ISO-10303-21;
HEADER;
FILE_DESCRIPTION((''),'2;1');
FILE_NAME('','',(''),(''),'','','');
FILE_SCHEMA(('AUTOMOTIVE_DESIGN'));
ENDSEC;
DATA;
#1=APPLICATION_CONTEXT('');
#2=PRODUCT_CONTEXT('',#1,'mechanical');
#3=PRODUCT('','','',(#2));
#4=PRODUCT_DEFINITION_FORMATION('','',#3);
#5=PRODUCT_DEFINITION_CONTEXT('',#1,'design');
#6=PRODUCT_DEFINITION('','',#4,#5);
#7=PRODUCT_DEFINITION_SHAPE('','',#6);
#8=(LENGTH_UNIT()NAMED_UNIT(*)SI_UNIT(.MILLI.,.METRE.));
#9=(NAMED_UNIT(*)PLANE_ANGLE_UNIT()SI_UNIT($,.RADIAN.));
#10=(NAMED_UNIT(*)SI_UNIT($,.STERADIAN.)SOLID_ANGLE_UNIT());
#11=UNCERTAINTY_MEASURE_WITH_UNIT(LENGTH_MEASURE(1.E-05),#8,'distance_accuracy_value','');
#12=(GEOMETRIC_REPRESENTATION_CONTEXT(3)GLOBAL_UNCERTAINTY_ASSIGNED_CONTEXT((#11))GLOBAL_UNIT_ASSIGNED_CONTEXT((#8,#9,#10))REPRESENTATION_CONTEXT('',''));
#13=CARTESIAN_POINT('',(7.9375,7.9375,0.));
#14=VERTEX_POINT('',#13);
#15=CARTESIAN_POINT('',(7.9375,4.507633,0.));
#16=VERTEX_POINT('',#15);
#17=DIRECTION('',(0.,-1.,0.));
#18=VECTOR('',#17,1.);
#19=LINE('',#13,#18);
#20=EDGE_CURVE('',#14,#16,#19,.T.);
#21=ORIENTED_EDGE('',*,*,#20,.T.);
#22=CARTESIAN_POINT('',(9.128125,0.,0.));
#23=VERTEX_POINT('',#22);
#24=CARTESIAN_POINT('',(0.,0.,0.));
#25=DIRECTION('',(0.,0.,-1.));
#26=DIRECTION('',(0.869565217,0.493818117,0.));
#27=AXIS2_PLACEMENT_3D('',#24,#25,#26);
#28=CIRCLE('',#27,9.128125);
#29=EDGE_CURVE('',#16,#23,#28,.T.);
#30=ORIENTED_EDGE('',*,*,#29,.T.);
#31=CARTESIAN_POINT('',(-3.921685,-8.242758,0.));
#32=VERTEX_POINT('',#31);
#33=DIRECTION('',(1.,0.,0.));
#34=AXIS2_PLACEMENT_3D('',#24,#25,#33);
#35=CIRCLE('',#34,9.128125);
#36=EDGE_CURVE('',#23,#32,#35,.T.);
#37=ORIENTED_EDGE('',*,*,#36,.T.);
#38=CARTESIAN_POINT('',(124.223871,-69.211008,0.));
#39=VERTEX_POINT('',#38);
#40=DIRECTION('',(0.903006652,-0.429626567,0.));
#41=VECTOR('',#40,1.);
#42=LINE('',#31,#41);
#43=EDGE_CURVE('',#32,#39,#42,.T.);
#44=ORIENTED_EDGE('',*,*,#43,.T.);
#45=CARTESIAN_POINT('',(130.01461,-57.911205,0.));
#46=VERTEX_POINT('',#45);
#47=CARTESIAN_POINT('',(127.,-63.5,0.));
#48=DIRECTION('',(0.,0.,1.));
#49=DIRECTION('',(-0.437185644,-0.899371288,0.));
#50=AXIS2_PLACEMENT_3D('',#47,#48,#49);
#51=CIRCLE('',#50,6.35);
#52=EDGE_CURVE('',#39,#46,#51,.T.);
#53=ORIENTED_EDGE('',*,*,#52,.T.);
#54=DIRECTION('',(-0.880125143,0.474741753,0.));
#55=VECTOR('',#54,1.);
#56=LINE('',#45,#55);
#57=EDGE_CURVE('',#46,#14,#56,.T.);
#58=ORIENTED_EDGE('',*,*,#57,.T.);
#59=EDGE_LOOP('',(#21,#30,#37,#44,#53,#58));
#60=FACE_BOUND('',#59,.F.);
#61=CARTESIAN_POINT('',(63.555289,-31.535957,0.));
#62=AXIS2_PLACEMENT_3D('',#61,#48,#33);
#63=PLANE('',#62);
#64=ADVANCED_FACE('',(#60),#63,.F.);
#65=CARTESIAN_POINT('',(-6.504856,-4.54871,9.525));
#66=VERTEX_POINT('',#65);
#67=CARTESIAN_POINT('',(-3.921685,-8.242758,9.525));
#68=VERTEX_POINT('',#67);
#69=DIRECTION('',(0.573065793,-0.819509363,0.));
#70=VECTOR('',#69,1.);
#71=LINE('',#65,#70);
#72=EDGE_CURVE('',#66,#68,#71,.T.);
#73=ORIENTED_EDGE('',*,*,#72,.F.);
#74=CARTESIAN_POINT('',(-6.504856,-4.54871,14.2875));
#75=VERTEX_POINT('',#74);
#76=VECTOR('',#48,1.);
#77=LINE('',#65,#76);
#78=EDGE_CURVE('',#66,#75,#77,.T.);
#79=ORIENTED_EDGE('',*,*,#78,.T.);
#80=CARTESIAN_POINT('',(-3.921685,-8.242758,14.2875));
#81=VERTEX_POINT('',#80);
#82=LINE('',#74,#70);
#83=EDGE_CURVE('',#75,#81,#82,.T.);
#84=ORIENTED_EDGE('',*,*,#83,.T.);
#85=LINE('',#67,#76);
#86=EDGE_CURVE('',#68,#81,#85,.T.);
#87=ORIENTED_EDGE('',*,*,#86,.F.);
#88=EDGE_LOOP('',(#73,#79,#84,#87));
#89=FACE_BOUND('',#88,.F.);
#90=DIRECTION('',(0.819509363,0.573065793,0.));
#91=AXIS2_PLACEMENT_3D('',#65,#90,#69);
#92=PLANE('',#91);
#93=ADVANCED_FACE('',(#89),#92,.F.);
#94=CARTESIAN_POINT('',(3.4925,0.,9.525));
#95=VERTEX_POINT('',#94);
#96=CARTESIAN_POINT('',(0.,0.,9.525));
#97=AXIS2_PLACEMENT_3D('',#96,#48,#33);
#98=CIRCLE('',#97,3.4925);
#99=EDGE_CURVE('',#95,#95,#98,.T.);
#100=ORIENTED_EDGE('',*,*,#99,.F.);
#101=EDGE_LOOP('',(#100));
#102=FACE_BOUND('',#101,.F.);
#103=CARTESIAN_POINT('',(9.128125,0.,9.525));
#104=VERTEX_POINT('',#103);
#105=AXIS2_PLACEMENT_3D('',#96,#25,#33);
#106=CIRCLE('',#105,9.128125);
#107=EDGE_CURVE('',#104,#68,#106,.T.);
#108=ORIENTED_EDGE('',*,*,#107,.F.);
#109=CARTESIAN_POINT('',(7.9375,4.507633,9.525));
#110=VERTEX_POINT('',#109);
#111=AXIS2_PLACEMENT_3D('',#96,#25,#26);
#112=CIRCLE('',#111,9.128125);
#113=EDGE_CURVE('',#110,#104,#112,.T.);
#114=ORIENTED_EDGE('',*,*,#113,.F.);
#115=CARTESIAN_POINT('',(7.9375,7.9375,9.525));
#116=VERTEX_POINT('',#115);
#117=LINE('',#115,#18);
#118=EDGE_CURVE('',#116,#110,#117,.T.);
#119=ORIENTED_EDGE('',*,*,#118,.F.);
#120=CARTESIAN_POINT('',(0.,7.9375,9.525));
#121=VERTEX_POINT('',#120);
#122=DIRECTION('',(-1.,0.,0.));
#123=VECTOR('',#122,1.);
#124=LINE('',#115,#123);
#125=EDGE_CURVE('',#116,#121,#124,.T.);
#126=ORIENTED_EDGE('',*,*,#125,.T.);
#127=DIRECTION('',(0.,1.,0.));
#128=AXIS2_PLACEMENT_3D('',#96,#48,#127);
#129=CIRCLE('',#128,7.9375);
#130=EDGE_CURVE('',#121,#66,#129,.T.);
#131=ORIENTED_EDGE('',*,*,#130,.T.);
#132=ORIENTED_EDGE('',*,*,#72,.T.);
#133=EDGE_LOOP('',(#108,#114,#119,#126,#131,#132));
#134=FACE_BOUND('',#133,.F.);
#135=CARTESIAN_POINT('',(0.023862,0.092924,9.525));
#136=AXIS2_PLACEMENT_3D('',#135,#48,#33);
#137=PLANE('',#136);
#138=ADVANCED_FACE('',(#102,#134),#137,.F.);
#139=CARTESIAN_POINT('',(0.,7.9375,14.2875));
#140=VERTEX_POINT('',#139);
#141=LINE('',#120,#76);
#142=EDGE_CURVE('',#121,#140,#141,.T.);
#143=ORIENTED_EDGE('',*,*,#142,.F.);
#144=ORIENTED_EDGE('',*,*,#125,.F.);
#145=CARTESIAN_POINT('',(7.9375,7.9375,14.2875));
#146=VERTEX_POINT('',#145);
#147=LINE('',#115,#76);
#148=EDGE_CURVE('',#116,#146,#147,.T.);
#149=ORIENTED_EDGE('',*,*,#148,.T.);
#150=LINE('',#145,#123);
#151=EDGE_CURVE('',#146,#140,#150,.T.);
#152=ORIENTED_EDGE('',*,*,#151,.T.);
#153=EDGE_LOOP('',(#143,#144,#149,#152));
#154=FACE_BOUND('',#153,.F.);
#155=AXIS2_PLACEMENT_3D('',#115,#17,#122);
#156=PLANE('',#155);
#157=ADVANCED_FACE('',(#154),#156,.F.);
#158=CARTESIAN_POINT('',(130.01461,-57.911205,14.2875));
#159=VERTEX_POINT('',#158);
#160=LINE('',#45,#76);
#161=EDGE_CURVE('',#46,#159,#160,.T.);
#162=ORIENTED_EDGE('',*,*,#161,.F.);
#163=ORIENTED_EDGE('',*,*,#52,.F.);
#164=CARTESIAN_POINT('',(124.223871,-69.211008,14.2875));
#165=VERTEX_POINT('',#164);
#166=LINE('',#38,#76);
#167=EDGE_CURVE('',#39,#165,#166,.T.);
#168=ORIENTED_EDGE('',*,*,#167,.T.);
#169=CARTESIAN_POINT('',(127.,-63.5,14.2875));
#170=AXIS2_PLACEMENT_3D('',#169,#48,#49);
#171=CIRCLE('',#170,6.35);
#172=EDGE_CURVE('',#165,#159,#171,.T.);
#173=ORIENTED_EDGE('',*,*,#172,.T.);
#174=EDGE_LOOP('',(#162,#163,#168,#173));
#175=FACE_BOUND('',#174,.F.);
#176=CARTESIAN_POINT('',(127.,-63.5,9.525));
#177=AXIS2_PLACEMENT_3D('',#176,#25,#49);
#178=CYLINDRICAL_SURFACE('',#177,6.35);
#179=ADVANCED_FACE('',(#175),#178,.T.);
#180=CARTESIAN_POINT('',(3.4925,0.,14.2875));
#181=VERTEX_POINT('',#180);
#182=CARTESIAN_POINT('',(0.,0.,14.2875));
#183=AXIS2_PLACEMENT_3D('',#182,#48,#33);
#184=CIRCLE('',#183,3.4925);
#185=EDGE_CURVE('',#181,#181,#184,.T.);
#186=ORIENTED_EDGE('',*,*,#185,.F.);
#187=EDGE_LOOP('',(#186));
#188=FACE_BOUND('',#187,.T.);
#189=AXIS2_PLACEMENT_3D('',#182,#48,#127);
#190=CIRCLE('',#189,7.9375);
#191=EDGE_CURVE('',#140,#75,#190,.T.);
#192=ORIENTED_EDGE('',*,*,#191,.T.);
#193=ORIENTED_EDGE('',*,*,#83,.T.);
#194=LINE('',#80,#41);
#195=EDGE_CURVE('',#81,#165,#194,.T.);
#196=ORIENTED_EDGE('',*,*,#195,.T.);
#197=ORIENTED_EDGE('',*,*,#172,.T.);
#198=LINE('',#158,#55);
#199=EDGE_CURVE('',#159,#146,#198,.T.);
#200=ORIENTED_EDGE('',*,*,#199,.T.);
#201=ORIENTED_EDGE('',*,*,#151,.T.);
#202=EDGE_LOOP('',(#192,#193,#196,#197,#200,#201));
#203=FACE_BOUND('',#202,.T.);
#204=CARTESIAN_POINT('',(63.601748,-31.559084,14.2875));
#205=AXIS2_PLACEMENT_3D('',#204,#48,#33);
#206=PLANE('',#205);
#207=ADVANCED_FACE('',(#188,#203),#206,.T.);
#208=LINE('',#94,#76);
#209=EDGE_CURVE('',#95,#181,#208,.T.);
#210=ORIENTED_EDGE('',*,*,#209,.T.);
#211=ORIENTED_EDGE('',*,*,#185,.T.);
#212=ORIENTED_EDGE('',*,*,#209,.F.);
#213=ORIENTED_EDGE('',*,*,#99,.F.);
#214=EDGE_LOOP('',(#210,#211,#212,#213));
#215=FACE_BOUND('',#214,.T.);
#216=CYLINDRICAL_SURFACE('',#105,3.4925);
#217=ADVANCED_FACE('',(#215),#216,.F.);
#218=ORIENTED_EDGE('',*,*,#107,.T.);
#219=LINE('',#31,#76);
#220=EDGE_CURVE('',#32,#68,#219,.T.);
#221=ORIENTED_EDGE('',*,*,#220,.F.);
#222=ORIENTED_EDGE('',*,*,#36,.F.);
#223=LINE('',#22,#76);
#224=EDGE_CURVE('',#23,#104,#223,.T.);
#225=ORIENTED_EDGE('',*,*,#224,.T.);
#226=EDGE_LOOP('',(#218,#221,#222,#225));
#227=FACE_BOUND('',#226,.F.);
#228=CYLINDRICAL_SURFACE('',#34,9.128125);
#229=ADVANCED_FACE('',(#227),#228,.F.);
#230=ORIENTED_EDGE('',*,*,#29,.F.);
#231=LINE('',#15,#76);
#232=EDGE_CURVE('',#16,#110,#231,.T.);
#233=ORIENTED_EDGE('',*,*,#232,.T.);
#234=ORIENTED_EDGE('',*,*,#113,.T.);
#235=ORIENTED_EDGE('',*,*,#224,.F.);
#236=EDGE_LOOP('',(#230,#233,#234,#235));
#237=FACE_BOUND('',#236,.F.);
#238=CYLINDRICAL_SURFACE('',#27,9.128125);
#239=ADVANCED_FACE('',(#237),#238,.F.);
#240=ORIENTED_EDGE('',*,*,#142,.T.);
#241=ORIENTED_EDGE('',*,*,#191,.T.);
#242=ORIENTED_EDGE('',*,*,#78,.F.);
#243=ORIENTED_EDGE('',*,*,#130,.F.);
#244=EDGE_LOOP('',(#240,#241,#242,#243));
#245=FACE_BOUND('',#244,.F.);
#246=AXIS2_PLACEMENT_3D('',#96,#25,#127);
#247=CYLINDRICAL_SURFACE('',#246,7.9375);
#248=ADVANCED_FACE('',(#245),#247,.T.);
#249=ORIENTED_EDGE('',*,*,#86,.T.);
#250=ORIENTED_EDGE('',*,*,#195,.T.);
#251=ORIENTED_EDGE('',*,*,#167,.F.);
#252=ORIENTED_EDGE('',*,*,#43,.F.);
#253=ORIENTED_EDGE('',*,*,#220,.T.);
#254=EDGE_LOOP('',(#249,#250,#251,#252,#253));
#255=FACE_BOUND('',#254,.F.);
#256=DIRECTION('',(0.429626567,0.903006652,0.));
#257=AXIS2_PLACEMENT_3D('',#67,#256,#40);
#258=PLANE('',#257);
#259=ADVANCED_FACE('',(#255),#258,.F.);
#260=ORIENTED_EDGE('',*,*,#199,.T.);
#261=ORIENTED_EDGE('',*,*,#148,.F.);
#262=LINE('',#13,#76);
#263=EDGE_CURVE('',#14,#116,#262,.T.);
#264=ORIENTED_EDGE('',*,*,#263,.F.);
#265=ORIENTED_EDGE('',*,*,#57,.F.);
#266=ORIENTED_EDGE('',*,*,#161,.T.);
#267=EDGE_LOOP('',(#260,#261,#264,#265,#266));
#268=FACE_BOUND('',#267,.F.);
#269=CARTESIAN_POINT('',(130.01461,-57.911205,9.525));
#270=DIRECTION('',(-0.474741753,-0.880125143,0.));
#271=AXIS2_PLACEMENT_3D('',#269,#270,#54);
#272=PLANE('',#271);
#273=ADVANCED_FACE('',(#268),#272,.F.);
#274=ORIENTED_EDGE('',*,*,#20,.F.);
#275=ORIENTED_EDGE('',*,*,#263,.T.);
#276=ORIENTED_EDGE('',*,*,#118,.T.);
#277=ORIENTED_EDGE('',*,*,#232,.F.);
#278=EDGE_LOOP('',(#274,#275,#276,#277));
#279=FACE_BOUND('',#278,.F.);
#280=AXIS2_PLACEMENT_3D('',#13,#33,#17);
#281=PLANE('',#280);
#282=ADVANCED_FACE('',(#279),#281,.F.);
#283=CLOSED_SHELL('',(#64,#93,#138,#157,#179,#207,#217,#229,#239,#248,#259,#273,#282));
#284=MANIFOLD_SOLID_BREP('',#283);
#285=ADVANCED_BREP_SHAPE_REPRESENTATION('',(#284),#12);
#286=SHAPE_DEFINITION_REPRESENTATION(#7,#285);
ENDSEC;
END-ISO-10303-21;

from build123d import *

# Parameters (mm, degrees)
F1_DEPTH = 9.525
F2_R     = 3.4925
F3_DEPTH = 4.7625
F5_DEPTH = 4.7625


with BuildPart() as f1:
    # F0 (on Top) → F1 (new body)
    with BuildSketch(Plane.XY):
        with BuildLine():
            Line((7.9375, 7.9375), (7.9375, 4.5076334995))
            ThreePointArc((7.9375, 4.5076334995), (8.8254506458, 2.3311128059), (9.128125, 0))
            ThreePointArc((9.128125, 0), (4.874681275, -7.7175221725), (-3.9216850064, -8.2427575923))
            Line((-3.9216850064, -8.2427575923), (124.223871162, -69.211007676))
            ThreePointArc((124.223871162, -69.211007676), (132.6511593099, -66.3960142358), (130.01461013, -57.9112053389))
            Line((130.01461013, -57.9112053389), (7.9375, 7.9375))
        make_face()
    extrude(amount=F1_DEPTH)

    # F2 (on face) → F3 (join)
    with BuildSketch(Plane.XY.offset(9.525)):
        with BuildLine():
            ThreePointArc((-6.5048555726, -4.5487097324), (2.3844931476, -7.5708717252), (7.9375, 0))
            ThreePointArc((7.9375, 0), (5.6126600757, 5.6126600757), (0, 7.9375))
            ThreePointArc((0, 7.9375), (-7.0395060107, 3.667323462), (-6.5048555726, -4.5487097324))
        make_face()
        Circle(F2_R, mode=Mode.SUBTRACT)
        with BuildLine():
            ThreePointArc((0, 7.9375), (5.6126600757, 5.6126600757), (7.9375, 0))
            ThreePointArc((7.9375, 0), (2.3844931476, -7.5708717252), (-6.5048555726, -4.5487097324))
            Line((-6.5048555726, -4.5487097324), (-3.9216850064, -8.2427575923))
            ThreePointArc((-3.9216850064, -8.2427575923), (6.6839218101, -6.2167399215), (7.9375, 4.5076334995))
            Line((7.9375, 4.5076334995), (7.9375, 7.9375))
            Line((7.9375, 7.9375), (0, 7.9375))
        make_face()
    extrude(amount=F3_DEPTH)

    # F4 (on face) → F5 (join)
    with BuildSketch(Plane.XY.offset(9.525)):
        with BuildLine():
            Line((-3.9216850064, -8.2427575923), (124.223871162, -69.211007676))
            ThreePointArc((124.223871162, -69.211007676), (132.6511593099, -66.3960142358), (130.01461013, -57.9112053389))
            Line((130.01461013, -57.9112053389), (7.9375, 7.9375))
            Line((7.9375, 7.9375), (7.9375, 4.5076334995))
            ThreePointArc((7.9375, 4.5076334995), (6.6839218101, -6.2167399215), (-3.9216850064, -8.2427575923))
        make_face()
    extrude(amount=F5_DEPTH)


solid = f1.part
